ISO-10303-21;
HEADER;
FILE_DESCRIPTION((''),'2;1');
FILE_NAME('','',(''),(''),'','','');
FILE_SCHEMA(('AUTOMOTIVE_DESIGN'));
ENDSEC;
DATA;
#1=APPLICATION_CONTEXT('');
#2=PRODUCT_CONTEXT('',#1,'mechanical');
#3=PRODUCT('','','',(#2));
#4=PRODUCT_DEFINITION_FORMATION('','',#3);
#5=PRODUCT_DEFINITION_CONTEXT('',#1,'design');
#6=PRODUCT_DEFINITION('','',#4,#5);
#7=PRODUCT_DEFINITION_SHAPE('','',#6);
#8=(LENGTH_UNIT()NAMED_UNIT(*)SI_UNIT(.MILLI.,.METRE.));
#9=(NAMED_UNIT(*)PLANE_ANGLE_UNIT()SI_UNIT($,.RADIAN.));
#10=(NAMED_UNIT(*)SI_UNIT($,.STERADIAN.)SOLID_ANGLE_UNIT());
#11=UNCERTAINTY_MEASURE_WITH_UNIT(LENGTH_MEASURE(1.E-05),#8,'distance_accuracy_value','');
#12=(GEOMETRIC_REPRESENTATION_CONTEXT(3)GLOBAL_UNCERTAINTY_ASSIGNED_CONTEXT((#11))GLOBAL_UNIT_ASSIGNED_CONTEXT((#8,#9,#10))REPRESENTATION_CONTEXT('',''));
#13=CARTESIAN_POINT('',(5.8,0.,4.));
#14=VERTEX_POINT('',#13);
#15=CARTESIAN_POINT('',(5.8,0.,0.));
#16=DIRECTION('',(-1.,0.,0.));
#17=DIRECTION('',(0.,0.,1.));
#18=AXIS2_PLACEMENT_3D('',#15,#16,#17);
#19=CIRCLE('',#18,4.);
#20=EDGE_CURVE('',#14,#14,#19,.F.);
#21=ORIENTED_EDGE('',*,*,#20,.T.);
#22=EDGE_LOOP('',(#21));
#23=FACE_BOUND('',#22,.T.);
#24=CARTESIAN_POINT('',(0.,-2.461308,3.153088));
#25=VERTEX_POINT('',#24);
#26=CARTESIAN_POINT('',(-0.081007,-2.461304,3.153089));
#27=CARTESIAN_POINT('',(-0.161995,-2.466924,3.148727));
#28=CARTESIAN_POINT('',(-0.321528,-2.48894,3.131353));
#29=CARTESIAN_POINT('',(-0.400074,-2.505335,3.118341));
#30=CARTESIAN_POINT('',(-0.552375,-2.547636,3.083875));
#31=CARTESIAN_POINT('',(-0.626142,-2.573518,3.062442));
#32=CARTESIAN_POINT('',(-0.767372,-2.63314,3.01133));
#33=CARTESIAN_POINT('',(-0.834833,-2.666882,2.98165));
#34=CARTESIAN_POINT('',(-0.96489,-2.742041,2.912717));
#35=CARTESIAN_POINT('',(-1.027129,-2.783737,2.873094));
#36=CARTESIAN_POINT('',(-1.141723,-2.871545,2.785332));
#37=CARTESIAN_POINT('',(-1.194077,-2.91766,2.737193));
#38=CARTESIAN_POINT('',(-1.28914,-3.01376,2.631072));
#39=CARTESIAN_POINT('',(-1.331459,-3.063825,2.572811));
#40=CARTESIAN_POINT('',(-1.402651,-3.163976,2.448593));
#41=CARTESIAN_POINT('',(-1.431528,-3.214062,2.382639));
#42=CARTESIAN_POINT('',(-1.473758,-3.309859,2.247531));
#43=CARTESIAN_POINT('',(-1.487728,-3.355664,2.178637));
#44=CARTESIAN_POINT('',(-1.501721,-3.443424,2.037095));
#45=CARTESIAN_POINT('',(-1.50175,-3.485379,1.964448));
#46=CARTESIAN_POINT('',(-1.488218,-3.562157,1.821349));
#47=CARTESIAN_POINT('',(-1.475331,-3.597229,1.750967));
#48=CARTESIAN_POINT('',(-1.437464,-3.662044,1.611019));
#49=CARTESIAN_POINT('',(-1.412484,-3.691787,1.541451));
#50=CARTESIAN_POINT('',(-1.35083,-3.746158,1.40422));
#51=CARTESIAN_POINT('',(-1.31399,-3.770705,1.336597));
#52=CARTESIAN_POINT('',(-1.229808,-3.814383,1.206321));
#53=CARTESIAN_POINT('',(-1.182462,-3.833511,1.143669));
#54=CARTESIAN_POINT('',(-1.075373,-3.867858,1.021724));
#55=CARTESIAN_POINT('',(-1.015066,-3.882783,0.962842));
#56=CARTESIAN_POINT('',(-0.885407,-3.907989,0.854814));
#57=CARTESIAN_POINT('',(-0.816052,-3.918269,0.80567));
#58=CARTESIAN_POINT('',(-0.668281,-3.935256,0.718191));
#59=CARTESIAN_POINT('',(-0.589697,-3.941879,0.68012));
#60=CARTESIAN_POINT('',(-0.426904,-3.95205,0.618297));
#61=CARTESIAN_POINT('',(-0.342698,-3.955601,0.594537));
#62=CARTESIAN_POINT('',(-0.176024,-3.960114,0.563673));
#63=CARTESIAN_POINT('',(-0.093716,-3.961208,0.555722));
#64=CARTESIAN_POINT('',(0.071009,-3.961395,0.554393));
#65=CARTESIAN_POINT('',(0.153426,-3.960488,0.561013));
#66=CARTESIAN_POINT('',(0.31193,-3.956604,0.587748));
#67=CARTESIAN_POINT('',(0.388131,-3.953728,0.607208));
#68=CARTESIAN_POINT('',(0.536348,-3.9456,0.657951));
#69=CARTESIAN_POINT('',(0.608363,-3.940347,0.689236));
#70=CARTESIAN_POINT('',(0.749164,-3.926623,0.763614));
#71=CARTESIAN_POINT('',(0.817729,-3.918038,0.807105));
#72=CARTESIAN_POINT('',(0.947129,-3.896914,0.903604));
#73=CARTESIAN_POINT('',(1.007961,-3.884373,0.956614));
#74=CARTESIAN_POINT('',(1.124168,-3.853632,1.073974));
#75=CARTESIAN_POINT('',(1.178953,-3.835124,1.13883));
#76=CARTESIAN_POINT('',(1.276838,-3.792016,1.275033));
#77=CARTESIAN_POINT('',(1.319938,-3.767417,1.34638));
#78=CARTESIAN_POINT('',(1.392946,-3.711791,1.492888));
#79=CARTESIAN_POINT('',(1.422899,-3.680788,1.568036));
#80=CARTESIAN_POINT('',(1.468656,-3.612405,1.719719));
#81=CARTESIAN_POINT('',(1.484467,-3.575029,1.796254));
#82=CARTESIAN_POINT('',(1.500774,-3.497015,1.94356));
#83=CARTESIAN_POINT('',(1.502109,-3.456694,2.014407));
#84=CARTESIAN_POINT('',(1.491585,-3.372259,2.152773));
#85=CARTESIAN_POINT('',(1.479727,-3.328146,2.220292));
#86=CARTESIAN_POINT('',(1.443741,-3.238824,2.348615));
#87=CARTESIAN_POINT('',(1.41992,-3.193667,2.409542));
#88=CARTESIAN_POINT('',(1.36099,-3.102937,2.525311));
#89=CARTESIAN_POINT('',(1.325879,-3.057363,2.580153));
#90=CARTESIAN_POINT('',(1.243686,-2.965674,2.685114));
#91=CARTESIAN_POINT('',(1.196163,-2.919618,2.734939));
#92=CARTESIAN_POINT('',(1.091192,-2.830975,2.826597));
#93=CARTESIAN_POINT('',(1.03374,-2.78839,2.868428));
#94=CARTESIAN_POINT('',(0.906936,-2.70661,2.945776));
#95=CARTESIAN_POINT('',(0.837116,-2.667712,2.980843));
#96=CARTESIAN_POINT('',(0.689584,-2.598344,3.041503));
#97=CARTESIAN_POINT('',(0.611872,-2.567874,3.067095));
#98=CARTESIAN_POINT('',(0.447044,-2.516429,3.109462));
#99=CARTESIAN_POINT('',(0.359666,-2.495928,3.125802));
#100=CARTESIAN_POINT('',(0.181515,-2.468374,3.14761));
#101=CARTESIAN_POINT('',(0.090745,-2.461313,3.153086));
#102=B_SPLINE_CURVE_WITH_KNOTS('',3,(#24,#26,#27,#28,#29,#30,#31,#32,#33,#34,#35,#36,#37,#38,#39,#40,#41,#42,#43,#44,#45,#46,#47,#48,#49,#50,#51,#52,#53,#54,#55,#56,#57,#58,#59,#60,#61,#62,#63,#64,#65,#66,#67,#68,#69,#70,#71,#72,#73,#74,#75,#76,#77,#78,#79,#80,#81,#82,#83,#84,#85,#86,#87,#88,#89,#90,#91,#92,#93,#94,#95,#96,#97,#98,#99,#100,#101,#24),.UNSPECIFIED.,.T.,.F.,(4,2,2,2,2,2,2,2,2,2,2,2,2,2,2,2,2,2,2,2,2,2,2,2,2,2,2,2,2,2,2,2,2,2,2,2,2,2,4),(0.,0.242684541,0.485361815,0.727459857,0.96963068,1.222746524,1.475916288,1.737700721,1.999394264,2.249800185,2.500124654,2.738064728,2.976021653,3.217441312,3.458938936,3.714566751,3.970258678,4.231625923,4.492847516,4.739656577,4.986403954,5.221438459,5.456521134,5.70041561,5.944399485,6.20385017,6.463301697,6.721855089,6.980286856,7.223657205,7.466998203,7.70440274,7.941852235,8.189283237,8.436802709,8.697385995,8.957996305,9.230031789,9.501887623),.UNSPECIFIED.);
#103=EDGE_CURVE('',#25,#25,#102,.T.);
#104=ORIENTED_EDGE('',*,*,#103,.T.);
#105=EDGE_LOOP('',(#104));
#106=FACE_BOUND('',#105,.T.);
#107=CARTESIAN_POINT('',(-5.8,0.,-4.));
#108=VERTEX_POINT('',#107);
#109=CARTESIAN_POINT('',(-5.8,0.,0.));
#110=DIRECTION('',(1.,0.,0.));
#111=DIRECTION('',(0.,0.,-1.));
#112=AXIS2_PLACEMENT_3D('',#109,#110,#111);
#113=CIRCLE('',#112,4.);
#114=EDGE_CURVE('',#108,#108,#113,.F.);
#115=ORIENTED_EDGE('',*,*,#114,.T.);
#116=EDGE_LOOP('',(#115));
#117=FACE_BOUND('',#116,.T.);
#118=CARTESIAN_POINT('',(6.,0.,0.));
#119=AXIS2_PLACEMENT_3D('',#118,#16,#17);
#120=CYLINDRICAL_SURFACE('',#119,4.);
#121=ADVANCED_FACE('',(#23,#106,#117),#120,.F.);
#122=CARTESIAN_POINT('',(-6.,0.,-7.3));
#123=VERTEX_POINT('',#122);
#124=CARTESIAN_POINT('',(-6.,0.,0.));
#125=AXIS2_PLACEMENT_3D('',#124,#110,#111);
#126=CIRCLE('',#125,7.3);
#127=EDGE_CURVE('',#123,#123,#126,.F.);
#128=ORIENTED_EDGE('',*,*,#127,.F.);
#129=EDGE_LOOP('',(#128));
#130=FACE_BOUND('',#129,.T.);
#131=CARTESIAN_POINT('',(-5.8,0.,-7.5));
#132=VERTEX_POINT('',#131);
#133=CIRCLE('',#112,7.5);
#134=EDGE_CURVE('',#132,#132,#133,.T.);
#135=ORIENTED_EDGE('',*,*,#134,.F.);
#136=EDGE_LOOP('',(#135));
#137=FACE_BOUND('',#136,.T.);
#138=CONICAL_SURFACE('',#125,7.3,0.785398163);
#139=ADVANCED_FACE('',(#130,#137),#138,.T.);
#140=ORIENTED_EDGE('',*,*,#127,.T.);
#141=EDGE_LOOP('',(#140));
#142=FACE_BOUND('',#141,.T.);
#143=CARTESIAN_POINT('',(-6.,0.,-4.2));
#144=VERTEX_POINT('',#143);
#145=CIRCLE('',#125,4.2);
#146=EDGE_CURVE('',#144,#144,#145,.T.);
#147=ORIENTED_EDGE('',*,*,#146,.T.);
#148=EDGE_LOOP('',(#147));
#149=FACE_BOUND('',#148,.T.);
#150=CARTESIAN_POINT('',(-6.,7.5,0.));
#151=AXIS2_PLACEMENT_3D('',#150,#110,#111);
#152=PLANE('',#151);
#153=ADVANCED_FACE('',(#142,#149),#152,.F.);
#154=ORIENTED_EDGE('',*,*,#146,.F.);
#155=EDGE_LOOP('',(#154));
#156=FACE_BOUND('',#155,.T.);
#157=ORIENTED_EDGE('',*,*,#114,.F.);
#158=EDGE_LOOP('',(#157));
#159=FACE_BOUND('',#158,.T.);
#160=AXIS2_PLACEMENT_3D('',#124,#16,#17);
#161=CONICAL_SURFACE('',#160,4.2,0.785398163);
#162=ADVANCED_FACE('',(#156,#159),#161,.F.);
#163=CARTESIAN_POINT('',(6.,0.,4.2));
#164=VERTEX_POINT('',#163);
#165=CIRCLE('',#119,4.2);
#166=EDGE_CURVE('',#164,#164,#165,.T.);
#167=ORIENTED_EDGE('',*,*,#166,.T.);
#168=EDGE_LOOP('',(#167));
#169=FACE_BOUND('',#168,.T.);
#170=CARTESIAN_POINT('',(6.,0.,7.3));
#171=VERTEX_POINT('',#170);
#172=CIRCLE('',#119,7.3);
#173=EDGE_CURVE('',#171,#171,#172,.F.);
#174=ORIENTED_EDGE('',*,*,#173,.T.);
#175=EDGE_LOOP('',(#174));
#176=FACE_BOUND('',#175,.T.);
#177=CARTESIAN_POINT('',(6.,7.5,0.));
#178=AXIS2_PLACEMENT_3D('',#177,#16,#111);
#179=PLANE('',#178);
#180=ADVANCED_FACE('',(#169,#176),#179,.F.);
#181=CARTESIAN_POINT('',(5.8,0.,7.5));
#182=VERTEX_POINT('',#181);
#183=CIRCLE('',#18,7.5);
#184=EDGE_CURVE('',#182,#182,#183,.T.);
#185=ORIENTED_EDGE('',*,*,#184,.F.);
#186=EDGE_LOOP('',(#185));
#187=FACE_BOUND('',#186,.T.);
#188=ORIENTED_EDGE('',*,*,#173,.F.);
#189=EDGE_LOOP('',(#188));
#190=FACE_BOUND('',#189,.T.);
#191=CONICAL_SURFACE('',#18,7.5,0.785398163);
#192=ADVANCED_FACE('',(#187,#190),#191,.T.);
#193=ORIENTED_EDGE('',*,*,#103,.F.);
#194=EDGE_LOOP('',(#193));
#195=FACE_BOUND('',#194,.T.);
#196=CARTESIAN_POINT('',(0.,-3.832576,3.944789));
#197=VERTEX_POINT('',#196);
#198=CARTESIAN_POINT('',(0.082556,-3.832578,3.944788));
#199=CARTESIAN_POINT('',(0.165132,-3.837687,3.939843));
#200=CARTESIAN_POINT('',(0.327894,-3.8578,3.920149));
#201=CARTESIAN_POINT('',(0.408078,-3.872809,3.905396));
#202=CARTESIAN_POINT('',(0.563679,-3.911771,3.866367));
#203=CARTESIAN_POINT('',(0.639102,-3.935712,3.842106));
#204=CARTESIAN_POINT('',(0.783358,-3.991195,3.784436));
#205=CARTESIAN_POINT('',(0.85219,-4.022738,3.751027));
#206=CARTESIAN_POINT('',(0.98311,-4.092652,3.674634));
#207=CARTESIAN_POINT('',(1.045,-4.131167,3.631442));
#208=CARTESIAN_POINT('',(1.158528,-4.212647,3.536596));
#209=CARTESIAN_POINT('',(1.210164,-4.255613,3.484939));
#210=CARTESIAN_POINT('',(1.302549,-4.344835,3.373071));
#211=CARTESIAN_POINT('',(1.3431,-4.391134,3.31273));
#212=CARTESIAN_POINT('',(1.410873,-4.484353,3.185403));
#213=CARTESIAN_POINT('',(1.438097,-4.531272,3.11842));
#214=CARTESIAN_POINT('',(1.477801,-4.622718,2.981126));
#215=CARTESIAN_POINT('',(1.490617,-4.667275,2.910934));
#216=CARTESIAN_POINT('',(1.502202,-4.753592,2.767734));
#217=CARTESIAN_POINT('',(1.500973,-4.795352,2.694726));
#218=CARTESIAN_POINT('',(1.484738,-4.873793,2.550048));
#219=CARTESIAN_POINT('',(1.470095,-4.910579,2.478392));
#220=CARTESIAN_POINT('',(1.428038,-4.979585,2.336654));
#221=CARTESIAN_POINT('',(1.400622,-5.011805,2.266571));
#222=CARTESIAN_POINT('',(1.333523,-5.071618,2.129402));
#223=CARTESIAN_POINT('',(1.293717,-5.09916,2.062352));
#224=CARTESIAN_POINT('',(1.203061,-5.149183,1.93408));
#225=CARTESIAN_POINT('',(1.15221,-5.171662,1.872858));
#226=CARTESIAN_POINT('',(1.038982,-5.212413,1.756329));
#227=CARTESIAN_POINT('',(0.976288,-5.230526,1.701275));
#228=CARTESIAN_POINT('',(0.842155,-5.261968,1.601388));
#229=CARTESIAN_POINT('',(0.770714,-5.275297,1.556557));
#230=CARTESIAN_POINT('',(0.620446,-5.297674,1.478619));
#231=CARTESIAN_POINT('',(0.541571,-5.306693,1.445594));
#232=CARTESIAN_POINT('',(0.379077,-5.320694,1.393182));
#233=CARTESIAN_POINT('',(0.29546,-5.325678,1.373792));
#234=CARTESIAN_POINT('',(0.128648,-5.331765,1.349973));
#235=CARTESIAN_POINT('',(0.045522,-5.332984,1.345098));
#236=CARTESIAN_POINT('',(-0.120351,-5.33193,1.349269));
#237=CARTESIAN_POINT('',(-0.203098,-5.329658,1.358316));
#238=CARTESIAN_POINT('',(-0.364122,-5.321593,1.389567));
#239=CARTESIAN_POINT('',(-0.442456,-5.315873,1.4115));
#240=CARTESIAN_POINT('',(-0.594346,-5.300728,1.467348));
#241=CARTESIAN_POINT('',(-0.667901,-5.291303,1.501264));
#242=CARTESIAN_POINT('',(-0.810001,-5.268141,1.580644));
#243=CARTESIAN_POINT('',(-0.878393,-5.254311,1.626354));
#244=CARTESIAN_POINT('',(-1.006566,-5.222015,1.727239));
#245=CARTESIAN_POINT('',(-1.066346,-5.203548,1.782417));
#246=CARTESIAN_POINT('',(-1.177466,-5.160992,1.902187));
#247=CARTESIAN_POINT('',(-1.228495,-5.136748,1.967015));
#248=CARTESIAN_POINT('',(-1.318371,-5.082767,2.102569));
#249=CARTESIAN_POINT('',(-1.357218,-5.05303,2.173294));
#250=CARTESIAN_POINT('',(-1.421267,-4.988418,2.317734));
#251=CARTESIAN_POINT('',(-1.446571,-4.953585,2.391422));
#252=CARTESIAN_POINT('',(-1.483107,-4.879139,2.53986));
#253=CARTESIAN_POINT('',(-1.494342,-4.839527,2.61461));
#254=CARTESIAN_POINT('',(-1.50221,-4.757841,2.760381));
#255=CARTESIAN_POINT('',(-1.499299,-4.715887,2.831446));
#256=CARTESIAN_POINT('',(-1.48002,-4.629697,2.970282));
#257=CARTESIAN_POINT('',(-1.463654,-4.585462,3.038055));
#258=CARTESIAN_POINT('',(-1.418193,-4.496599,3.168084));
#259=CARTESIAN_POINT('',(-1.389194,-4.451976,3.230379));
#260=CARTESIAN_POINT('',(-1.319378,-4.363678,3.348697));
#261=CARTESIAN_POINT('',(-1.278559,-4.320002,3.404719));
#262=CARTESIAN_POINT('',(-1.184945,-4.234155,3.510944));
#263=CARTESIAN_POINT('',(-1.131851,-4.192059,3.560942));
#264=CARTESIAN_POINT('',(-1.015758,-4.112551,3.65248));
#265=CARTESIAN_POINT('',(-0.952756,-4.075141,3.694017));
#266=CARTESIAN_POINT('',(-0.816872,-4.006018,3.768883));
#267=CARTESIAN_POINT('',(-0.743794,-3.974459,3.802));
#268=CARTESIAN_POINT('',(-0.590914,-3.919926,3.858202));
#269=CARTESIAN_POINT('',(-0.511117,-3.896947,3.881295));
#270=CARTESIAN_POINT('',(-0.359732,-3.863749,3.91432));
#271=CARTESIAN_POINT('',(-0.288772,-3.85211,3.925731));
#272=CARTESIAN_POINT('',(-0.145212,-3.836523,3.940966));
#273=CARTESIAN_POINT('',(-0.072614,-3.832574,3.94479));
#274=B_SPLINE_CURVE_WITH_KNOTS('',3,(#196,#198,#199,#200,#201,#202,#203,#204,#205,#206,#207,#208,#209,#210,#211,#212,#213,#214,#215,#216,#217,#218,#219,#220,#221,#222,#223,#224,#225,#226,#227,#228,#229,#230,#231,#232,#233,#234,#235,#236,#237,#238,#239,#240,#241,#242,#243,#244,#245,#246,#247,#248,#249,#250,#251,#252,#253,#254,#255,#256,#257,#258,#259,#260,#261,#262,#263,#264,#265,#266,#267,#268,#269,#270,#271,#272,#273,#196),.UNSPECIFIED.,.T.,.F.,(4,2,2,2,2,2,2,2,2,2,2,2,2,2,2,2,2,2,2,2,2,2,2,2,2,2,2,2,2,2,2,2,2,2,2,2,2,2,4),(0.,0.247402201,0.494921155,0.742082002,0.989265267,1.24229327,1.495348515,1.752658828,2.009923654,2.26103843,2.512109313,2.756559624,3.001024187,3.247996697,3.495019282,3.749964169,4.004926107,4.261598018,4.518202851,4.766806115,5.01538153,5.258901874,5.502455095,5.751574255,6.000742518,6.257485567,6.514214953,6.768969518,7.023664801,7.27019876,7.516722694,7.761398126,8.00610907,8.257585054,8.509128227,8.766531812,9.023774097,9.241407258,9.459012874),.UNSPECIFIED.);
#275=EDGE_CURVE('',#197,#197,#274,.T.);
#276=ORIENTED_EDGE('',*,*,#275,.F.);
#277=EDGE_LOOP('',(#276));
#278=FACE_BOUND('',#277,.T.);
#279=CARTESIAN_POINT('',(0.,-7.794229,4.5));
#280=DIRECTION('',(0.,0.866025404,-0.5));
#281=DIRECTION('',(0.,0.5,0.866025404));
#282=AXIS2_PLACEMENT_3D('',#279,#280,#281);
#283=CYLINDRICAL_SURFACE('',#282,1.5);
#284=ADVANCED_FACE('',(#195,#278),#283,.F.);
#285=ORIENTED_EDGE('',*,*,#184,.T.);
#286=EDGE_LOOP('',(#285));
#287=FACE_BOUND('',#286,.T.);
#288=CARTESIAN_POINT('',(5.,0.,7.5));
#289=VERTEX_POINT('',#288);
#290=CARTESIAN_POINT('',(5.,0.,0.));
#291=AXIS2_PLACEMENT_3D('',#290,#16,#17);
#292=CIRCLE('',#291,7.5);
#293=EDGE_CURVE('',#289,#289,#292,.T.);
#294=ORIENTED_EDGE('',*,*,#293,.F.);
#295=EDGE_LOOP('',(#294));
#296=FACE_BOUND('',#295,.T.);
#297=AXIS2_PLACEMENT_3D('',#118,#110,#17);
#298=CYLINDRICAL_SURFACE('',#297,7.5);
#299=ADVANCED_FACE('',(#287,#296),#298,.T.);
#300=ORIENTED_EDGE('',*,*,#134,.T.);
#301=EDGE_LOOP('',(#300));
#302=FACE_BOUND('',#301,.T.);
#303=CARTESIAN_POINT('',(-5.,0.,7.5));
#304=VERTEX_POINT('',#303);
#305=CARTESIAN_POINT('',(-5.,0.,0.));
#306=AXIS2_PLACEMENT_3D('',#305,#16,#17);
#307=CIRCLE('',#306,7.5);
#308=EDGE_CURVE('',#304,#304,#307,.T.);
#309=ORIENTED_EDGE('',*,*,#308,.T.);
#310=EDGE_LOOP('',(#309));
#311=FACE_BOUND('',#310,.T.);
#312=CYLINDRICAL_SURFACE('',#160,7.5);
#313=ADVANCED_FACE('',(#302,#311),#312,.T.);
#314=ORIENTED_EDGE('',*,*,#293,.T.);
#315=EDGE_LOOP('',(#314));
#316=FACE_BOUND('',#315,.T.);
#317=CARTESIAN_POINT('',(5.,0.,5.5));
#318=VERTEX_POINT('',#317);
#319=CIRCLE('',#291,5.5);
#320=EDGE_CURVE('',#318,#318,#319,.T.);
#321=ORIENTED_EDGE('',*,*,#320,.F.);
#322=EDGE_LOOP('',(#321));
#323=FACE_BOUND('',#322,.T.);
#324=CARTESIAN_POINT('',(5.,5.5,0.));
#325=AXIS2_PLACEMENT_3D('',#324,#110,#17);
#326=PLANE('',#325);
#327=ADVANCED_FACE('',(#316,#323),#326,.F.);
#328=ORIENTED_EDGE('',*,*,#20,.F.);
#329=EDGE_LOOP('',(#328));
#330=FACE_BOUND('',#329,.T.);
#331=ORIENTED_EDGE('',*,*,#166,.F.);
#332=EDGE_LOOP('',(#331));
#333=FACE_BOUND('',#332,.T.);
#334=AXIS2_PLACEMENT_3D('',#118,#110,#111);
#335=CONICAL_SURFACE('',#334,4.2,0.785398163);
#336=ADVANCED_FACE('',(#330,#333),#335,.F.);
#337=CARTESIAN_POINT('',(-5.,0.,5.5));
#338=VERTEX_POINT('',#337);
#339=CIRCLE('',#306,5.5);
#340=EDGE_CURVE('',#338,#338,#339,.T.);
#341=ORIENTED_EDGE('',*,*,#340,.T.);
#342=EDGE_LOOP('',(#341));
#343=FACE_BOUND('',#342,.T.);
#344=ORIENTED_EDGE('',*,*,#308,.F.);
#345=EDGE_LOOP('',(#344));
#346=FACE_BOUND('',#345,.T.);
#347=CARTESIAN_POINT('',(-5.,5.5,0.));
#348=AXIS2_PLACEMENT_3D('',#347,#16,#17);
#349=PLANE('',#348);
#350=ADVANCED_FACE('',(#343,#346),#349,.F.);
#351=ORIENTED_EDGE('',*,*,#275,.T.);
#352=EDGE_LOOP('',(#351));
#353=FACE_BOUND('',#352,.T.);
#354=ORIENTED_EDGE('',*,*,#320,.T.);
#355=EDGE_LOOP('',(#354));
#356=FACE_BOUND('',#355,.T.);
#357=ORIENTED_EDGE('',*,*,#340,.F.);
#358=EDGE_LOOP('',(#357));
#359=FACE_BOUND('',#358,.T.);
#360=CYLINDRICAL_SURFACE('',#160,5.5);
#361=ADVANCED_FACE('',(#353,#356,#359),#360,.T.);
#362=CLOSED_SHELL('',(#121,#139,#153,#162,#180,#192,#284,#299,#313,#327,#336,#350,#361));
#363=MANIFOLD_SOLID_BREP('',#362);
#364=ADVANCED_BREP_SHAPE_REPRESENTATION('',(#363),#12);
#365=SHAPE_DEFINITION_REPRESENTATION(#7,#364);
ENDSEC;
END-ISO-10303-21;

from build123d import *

# Parameters (mm, degrees)
CUT_EXTRUDE1_DEPTH      = 17.015617378
CUT_EXTRUDE1_DEPTH_BACK = 17.015617378
SKETCH2_R               = 4
CHAMFER1_SIZE           = 0.2
CUT_EXTRUDE2_DEPTH      = 5
CUT_EXTRUDE2_DEPTH_BACK = 5
SKETCH4_R               = 1.5


with BuildPart() as part:
    # Sketch1 → Revolve1 (revolve)
    with BuildSketch(Plane.XY):
        Polygon((0, 5.5), (-5, 5.5), (-5, 7.5), (-6, 7.5), (-6, 0), (0, 0), align=None)
    revolve1 = revolve(axis=Axis((-6, 0, 0), (1, 0, 0)))

    # Mirror1: Revolve1 across plane
    add(revolve1.mirror(Plane(origin=(0, 0, 0), x_dir=(0, 0, 1), z_dir=(1, 0, 0))))

    # Sketch2 → Cut-Extrude1 (cut, two sides: drawn at the far end of the back side and taken through both)
    with BuildSketch(Plane.ZY.offset(6).offset(-CUT_EXTRUDE1_DEPTH_BACK)):
        Circle(SKETCH2_R)
    extrude(amount=CUT_EXTRUDE1_DEPTH + CUT_EXTRUDE1_DEPTH_BACK, mode=Mode.SUBTRACT)

    # Chamfer1
    chamfer1_edges = [part.edges().sort_by_distance(p)[0] for p in [
        (6, 0, -4),
        (-6, 0, -4),
        (6, -7.5, 0),
        (-6, -7.5, 0),
    ]]
    chamfer(chamfer1_edges, length=CHAMFER1_SIZE)

    # Sketch4 → Cut-Extrude2 (cut, two sides: drawn at the far end of the back side and taken through both)
    with BuildSketch(Plane(origin=(0, -3.464101615, 2), x_dir=(-1, 0, 0), z_dir=(0, 0.866025403784438, -0.500000000000001)).offset(-CUT_EXTRUDE2_DEPTH_BACK)):
        Circle(SKETCH4_R)
    extrude(amount=CUT_EXTRUDE2_DEPTH + CUT_EXTRUDE2_DEPTH_BACK, mode=Mode.SUBTRACT)


solid = part.part
